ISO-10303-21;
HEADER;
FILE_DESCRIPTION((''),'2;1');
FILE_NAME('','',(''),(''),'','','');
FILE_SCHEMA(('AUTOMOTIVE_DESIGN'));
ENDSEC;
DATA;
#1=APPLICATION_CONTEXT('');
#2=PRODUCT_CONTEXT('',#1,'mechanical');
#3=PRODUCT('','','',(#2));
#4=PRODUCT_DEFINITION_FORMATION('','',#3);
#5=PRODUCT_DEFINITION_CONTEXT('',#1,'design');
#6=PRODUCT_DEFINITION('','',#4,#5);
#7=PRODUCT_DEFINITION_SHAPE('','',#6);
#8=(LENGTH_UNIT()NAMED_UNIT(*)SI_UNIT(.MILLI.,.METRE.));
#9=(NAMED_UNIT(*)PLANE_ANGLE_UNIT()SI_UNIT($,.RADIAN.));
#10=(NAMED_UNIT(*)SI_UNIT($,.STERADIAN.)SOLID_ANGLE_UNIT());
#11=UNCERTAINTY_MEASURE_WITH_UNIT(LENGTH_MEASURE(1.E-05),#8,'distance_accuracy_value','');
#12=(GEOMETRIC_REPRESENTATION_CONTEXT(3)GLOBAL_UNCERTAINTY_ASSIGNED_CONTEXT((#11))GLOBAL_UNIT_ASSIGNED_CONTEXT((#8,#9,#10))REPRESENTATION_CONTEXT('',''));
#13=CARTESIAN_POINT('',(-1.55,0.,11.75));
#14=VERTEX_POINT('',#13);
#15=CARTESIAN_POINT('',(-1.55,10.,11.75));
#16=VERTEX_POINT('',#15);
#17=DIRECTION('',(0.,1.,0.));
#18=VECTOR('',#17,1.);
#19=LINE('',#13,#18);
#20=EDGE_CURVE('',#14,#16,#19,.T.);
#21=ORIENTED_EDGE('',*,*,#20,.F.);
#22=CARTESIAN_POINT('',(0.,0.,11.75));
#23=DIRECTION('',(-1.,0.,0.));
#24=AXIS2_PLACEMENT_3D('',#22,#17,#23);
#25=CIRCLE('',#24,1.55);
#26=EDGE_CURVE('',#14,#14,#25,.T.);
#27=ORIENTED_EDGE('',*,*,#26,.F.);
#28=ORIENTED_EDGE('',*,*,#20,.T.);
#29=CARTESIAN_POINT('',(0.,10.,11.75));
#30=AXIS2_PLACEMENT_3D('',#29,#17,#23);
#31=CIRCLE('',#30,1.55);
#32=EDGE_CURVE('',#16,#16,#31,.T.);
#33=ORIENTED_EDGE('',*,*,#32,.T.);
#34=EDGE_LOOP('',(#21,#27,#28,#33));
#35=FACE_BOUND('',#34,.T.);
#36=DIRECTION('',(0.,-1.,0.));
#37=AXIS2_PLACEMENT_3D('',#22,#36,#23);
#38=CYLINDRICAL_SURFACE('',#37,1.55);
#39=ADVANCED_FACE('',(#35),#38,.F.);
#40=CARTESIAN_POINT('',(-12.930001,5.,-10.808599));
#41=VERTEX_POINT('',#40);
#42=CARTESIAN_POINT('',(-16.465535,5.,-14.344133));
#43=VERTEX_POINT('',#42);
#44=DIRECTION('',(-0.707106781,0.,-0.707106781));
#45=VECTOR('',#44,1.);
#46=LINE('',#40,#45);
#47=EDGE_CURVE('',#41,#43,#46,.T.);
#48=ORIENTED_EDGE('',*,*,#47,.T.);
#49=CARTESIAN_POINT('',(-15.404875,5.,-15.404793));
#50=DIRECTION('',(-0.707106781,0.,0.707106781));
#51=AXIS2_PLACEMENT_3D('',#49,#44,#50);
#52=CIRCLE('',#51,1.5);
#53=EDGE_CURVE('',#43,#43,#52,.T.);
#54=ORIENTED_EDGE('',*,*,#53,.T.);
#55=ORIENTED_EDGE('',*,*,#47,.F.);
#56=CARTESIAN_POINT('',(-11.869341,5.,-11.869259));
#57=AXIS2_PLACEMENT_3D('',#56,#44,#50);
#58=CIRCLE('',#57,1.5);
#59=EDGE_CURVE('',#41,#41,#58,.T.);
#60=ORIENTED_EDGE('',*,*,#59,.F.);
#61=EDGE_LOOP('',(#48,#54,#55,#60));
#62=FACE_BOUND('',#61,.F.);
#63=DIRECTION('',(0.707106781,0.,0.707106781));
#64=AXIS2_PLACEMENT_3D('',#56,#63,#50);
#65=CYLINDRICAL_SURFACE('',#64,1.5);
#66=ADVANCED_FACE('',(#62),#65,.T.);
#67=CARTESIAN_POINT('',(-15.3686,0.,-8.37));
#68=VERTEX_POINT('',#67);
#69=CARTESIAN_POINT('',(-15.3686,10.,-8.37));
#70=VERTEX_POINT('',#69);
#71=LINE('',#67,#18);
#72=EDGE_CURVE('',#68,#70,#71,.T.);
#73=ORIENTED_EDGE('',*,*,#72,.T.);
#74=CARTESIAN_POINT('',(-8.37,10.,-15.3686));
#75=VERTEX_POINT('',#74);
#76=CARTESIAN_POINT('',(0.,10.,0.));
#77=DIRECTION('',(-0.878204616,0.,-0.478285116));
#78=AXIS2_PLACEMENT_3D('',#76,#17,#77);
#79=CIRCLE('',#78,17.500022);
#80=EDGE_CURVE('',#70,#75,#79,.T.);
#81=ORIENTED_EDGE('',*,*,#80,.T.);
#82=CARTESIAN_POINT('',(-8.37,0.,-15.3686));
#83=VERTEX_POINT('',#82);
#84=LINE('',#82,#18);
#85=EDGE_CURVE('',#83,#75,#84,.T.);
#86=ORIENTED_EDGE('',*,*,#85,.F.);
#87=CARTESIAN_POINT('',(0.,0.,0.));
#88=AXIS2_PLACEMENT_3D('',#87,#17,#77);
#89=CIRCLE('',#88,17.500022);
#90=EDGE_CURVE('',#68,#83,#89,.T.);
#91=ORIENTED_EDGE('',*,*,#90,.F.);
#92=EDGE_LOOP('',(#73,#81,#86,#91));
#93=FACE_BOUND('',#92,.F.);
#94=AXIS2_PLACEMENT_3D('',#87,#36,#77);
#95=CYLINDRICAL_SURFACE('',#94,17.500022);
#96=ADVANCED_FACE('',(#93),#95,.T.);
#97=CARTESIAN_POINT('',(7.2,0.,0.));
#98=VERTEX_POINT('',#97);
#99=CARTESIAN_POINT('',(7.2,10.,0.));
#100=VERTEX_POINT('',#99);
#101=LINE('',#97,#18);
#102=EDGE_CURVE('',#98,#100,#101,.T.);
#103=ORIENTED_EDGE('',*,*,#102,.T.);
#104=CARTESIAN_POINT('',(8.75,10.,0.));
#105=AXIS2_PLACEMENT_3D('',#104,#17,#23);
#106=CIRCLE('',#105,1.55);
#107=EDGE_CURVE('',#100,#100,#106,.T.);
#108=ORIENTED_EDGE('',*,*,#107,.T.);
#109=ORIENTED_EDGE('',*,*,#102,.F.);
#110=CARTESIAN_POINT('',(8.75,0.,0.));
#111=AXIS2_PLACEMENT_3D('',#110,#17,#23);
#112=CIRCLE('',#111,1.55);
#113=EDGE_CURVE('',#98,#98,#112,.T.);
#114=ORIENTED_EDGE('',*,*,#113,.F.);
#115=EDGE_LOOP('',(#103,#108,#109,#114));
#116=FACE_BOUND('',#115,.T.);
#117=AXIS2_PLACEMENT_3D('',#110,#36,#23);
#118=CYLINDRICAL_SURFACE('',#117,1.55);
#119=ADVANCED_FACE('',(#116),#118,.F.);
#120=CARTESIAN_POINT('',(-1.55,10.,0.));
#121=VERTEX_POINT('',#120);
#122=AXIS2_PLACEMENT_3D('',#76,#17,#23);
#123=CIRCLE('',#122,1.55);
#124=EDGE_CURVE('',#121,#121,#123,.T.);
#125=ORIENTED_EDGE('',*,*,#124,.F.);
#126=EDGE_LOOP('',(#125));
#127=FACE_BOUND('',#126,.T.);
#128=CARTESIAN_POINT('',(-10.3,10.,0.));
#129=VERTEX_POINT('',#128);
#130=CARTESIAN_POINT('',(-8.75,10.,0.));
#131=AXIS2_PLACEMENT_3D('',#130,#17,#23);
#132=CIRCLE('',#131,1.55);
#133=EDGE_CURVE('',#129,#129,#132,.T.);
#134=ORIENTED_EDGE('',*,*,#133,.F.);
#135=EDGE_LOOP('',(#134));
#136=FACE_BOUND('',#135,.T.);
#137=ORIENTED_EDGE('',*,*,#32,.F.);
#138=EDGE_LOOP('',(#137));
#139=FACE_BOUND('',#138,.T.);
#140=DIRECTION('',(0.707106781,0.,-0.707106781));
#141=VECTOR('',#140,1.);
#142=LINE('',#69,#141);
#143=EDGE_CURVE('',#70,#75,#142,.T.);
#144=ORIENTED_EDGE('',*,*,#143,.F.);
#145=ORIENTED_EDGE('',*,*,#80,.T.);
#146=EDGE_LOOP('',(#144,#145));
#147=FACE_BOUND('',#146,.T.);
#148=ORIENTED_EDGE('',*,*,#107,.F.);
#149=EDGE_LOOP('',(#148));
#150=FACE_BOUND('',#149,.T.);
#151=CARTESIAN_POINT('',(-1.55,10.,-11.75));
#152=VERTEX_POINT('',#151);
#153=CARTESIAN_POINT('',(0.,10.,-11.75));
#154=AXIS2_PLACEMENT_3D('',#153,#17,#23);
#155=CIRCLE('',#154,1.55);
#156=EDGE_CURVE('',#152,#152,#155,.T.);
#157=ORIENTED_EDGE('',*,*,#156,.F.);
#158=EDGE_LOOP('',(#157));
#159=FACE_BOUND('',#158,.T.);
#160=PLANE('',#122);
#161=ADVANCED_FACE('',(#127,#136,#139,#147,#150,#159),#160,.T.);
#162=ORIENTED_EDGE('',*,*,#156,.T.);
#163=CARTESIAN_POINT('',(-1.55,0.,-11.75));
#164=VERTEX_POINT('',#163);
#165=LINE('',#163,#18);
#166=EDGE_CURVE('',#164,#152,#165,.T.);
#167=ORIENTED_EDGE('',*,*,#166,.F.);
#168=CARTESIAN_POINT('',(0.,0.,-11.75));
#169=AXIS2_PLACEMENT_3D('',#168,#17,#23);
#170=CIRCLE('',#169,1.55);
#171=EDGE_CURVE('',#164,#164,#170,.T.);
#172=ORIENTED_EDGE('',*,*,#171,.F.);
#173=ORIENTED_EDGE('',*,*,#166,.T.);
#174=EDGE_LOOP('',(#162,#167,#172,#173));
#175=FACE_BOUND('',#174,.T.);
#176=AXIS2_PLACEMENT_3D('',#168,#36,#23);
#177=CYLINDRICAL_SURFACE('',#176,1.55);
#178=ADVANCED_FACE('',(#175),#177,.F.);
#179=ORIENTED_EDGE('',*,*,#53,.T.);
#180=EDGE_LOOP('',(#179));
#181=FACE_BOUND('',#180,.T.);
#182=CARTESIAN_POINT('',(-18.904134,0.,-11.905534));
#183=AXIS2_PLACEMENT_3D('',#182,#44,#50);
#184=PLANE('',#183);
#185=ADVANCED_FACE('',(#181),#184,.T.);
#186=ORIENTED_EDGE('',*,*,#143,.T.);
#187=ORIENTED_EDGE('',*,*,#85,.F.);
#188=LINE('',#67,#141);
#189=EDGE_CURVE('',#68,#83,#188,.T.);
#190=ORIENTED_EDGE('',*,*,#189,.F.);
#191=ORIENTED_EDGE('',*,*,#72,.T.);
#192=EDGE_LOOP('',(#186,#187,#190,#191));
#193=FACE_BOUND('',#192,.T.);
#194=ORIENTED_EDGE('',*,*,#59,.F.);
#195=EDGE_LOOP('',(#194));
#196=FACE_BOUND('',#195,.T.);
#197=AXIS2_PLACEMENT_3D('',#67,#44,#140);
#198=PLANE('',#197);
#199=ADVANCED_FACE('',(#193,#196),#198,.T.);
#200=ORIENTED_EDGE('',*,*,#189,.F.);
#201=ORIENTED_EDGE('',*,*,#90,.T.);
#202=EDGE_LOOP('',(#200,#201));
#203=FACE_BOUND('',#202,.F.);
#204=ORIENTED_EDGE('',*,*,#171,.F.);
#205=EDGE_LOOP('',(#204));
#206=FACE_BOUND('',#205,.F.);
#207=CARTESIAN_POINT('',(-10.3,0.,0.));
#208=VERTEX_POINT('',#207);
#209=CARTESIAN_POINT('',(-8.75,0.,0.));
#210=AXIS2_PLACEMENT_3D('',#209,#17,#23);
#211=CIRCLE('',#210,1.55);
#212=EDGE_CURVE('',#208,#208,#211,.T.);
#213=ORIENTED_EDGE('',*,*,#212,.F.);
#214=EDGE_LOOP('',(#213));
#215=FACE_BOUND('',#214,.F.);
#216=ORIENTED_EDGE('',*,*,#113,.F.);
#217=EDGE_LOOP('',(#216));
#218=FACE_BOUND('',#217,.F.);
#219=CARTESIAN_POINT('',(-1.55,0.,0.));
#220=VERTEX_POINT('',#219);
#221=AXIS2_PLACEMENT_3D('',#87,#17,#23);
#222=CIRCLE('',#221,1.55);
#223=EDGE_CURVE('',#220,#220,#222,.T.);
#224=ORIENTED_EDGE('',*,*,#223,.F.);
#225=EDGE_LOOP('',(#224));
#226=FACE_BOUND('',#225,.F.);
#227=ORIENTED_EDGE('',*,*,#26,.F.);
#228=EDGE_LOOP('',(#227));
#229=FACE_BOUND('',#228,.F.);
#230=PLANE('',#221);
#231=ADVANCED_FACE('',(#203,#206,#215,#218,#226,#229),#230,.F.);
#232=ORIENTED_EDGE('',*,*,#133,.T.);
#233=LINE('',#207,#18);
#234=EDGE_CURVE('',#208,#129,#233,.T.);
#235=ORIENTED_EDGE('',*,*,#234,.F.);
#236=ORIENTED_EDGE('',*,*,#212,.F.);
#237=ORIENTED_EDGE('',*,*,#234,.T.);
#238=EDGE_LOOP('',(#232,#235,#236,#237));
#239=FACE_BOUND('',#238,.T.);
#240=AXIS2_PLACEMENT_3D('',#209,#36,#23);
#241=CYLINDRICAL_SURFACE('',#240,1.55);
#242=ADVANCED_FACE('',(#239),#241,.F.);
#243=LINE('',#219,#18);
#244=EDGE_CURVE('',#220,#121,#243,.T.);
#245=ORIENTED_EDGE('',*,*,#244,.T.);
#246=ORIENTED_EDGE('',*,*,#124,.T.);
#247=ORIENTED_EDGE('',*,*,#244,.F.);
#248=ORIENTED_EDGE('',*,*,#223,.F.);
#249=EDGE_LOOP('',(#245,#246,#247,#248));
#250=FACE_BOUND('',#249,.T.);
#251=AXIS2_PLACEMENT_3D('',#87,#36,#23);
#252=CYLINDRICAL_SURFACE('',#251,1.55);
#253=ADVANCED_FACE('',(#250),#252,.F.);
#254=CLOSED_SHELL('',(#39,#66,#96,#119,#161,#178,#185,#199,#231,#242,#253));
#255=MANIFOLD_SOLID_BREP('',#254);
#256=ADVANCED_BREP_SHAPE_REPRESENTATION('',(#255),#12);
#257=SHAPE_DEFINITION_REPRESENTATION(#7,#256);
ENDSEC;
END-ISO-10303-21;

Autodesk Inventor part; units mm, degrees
ref_plane "YZ Plane" through (0, 0, 0) normal (1, 0, 0) x (0, 1, 0)
ref_plane "XZ Plane" through (0, 0, 0) normal (0, 1, 0) x (-1, 0, 0)
ref_plane "XY Plane" through (0, 0, 0) normal (0, 0, 1) x (1, 0, 0)
sketch "Sketch1" plane through (0, 0, 0) normal (0, 1, 0) x (-1, 0, 0)
  line L0 (0, 0) -> (0, -11.75) construction
  circle A0 centre (0, -11.75) radius 1.55
  line L1 (0, 0) -> (8.75, 0) construction
  circle A1 centre (8.75, 0) radius 1.55
  circle A2 centre (0, 11.75) radius 1.55
  circle A3 centre (-8.75, 0) radius 1.55
  arc A4 (15.3686, -8.37) -> (8.37, -15.3686) centre (0, 0) ccw
  line L2 (0, 0) -> (12.3744, -12.3744) construction
  line L3 (0, 0) -> (17.5, 0) construction
  circle A5 centre (12.3744, -12.3744) radius 5 construction
  line L4 (15.3686, -8.37) -> (8.37, -15.3686)
  circle A6 centre (0, 0) radius 1.55
  dimension "d0" = 11.75
  dimension "d1" = 3.1
  dimension "d2" = 35
  dimension "d3" = 8.75
  dimension "d4" = 45
  dimension "d5" = 10
extrude "Extrusion1" add sketch "Sketch1" along normal blind 10
sketch "Sketch2" plane through (-15.3686, 0, -8.37) normal (-0.7071, 0, -0.7071) x (-0.7071, 0, 0.7071)
  line L0 (-9.8974, 10) -> (0, 10) construction
  line L1 (-9.8974, 0) -> (0, 0) construction
  line L2 (0, 10) -> (-9.8974, 0) construction
  circle A0 centre (-4.9487, 5) radius 1.5
  point P0 (-4.9487, 0)
  dimension "d9" = 3
extrude "Extrusion2" add sketch "Sketch2" along normal blind 5
properties part number "Pulley-35"
